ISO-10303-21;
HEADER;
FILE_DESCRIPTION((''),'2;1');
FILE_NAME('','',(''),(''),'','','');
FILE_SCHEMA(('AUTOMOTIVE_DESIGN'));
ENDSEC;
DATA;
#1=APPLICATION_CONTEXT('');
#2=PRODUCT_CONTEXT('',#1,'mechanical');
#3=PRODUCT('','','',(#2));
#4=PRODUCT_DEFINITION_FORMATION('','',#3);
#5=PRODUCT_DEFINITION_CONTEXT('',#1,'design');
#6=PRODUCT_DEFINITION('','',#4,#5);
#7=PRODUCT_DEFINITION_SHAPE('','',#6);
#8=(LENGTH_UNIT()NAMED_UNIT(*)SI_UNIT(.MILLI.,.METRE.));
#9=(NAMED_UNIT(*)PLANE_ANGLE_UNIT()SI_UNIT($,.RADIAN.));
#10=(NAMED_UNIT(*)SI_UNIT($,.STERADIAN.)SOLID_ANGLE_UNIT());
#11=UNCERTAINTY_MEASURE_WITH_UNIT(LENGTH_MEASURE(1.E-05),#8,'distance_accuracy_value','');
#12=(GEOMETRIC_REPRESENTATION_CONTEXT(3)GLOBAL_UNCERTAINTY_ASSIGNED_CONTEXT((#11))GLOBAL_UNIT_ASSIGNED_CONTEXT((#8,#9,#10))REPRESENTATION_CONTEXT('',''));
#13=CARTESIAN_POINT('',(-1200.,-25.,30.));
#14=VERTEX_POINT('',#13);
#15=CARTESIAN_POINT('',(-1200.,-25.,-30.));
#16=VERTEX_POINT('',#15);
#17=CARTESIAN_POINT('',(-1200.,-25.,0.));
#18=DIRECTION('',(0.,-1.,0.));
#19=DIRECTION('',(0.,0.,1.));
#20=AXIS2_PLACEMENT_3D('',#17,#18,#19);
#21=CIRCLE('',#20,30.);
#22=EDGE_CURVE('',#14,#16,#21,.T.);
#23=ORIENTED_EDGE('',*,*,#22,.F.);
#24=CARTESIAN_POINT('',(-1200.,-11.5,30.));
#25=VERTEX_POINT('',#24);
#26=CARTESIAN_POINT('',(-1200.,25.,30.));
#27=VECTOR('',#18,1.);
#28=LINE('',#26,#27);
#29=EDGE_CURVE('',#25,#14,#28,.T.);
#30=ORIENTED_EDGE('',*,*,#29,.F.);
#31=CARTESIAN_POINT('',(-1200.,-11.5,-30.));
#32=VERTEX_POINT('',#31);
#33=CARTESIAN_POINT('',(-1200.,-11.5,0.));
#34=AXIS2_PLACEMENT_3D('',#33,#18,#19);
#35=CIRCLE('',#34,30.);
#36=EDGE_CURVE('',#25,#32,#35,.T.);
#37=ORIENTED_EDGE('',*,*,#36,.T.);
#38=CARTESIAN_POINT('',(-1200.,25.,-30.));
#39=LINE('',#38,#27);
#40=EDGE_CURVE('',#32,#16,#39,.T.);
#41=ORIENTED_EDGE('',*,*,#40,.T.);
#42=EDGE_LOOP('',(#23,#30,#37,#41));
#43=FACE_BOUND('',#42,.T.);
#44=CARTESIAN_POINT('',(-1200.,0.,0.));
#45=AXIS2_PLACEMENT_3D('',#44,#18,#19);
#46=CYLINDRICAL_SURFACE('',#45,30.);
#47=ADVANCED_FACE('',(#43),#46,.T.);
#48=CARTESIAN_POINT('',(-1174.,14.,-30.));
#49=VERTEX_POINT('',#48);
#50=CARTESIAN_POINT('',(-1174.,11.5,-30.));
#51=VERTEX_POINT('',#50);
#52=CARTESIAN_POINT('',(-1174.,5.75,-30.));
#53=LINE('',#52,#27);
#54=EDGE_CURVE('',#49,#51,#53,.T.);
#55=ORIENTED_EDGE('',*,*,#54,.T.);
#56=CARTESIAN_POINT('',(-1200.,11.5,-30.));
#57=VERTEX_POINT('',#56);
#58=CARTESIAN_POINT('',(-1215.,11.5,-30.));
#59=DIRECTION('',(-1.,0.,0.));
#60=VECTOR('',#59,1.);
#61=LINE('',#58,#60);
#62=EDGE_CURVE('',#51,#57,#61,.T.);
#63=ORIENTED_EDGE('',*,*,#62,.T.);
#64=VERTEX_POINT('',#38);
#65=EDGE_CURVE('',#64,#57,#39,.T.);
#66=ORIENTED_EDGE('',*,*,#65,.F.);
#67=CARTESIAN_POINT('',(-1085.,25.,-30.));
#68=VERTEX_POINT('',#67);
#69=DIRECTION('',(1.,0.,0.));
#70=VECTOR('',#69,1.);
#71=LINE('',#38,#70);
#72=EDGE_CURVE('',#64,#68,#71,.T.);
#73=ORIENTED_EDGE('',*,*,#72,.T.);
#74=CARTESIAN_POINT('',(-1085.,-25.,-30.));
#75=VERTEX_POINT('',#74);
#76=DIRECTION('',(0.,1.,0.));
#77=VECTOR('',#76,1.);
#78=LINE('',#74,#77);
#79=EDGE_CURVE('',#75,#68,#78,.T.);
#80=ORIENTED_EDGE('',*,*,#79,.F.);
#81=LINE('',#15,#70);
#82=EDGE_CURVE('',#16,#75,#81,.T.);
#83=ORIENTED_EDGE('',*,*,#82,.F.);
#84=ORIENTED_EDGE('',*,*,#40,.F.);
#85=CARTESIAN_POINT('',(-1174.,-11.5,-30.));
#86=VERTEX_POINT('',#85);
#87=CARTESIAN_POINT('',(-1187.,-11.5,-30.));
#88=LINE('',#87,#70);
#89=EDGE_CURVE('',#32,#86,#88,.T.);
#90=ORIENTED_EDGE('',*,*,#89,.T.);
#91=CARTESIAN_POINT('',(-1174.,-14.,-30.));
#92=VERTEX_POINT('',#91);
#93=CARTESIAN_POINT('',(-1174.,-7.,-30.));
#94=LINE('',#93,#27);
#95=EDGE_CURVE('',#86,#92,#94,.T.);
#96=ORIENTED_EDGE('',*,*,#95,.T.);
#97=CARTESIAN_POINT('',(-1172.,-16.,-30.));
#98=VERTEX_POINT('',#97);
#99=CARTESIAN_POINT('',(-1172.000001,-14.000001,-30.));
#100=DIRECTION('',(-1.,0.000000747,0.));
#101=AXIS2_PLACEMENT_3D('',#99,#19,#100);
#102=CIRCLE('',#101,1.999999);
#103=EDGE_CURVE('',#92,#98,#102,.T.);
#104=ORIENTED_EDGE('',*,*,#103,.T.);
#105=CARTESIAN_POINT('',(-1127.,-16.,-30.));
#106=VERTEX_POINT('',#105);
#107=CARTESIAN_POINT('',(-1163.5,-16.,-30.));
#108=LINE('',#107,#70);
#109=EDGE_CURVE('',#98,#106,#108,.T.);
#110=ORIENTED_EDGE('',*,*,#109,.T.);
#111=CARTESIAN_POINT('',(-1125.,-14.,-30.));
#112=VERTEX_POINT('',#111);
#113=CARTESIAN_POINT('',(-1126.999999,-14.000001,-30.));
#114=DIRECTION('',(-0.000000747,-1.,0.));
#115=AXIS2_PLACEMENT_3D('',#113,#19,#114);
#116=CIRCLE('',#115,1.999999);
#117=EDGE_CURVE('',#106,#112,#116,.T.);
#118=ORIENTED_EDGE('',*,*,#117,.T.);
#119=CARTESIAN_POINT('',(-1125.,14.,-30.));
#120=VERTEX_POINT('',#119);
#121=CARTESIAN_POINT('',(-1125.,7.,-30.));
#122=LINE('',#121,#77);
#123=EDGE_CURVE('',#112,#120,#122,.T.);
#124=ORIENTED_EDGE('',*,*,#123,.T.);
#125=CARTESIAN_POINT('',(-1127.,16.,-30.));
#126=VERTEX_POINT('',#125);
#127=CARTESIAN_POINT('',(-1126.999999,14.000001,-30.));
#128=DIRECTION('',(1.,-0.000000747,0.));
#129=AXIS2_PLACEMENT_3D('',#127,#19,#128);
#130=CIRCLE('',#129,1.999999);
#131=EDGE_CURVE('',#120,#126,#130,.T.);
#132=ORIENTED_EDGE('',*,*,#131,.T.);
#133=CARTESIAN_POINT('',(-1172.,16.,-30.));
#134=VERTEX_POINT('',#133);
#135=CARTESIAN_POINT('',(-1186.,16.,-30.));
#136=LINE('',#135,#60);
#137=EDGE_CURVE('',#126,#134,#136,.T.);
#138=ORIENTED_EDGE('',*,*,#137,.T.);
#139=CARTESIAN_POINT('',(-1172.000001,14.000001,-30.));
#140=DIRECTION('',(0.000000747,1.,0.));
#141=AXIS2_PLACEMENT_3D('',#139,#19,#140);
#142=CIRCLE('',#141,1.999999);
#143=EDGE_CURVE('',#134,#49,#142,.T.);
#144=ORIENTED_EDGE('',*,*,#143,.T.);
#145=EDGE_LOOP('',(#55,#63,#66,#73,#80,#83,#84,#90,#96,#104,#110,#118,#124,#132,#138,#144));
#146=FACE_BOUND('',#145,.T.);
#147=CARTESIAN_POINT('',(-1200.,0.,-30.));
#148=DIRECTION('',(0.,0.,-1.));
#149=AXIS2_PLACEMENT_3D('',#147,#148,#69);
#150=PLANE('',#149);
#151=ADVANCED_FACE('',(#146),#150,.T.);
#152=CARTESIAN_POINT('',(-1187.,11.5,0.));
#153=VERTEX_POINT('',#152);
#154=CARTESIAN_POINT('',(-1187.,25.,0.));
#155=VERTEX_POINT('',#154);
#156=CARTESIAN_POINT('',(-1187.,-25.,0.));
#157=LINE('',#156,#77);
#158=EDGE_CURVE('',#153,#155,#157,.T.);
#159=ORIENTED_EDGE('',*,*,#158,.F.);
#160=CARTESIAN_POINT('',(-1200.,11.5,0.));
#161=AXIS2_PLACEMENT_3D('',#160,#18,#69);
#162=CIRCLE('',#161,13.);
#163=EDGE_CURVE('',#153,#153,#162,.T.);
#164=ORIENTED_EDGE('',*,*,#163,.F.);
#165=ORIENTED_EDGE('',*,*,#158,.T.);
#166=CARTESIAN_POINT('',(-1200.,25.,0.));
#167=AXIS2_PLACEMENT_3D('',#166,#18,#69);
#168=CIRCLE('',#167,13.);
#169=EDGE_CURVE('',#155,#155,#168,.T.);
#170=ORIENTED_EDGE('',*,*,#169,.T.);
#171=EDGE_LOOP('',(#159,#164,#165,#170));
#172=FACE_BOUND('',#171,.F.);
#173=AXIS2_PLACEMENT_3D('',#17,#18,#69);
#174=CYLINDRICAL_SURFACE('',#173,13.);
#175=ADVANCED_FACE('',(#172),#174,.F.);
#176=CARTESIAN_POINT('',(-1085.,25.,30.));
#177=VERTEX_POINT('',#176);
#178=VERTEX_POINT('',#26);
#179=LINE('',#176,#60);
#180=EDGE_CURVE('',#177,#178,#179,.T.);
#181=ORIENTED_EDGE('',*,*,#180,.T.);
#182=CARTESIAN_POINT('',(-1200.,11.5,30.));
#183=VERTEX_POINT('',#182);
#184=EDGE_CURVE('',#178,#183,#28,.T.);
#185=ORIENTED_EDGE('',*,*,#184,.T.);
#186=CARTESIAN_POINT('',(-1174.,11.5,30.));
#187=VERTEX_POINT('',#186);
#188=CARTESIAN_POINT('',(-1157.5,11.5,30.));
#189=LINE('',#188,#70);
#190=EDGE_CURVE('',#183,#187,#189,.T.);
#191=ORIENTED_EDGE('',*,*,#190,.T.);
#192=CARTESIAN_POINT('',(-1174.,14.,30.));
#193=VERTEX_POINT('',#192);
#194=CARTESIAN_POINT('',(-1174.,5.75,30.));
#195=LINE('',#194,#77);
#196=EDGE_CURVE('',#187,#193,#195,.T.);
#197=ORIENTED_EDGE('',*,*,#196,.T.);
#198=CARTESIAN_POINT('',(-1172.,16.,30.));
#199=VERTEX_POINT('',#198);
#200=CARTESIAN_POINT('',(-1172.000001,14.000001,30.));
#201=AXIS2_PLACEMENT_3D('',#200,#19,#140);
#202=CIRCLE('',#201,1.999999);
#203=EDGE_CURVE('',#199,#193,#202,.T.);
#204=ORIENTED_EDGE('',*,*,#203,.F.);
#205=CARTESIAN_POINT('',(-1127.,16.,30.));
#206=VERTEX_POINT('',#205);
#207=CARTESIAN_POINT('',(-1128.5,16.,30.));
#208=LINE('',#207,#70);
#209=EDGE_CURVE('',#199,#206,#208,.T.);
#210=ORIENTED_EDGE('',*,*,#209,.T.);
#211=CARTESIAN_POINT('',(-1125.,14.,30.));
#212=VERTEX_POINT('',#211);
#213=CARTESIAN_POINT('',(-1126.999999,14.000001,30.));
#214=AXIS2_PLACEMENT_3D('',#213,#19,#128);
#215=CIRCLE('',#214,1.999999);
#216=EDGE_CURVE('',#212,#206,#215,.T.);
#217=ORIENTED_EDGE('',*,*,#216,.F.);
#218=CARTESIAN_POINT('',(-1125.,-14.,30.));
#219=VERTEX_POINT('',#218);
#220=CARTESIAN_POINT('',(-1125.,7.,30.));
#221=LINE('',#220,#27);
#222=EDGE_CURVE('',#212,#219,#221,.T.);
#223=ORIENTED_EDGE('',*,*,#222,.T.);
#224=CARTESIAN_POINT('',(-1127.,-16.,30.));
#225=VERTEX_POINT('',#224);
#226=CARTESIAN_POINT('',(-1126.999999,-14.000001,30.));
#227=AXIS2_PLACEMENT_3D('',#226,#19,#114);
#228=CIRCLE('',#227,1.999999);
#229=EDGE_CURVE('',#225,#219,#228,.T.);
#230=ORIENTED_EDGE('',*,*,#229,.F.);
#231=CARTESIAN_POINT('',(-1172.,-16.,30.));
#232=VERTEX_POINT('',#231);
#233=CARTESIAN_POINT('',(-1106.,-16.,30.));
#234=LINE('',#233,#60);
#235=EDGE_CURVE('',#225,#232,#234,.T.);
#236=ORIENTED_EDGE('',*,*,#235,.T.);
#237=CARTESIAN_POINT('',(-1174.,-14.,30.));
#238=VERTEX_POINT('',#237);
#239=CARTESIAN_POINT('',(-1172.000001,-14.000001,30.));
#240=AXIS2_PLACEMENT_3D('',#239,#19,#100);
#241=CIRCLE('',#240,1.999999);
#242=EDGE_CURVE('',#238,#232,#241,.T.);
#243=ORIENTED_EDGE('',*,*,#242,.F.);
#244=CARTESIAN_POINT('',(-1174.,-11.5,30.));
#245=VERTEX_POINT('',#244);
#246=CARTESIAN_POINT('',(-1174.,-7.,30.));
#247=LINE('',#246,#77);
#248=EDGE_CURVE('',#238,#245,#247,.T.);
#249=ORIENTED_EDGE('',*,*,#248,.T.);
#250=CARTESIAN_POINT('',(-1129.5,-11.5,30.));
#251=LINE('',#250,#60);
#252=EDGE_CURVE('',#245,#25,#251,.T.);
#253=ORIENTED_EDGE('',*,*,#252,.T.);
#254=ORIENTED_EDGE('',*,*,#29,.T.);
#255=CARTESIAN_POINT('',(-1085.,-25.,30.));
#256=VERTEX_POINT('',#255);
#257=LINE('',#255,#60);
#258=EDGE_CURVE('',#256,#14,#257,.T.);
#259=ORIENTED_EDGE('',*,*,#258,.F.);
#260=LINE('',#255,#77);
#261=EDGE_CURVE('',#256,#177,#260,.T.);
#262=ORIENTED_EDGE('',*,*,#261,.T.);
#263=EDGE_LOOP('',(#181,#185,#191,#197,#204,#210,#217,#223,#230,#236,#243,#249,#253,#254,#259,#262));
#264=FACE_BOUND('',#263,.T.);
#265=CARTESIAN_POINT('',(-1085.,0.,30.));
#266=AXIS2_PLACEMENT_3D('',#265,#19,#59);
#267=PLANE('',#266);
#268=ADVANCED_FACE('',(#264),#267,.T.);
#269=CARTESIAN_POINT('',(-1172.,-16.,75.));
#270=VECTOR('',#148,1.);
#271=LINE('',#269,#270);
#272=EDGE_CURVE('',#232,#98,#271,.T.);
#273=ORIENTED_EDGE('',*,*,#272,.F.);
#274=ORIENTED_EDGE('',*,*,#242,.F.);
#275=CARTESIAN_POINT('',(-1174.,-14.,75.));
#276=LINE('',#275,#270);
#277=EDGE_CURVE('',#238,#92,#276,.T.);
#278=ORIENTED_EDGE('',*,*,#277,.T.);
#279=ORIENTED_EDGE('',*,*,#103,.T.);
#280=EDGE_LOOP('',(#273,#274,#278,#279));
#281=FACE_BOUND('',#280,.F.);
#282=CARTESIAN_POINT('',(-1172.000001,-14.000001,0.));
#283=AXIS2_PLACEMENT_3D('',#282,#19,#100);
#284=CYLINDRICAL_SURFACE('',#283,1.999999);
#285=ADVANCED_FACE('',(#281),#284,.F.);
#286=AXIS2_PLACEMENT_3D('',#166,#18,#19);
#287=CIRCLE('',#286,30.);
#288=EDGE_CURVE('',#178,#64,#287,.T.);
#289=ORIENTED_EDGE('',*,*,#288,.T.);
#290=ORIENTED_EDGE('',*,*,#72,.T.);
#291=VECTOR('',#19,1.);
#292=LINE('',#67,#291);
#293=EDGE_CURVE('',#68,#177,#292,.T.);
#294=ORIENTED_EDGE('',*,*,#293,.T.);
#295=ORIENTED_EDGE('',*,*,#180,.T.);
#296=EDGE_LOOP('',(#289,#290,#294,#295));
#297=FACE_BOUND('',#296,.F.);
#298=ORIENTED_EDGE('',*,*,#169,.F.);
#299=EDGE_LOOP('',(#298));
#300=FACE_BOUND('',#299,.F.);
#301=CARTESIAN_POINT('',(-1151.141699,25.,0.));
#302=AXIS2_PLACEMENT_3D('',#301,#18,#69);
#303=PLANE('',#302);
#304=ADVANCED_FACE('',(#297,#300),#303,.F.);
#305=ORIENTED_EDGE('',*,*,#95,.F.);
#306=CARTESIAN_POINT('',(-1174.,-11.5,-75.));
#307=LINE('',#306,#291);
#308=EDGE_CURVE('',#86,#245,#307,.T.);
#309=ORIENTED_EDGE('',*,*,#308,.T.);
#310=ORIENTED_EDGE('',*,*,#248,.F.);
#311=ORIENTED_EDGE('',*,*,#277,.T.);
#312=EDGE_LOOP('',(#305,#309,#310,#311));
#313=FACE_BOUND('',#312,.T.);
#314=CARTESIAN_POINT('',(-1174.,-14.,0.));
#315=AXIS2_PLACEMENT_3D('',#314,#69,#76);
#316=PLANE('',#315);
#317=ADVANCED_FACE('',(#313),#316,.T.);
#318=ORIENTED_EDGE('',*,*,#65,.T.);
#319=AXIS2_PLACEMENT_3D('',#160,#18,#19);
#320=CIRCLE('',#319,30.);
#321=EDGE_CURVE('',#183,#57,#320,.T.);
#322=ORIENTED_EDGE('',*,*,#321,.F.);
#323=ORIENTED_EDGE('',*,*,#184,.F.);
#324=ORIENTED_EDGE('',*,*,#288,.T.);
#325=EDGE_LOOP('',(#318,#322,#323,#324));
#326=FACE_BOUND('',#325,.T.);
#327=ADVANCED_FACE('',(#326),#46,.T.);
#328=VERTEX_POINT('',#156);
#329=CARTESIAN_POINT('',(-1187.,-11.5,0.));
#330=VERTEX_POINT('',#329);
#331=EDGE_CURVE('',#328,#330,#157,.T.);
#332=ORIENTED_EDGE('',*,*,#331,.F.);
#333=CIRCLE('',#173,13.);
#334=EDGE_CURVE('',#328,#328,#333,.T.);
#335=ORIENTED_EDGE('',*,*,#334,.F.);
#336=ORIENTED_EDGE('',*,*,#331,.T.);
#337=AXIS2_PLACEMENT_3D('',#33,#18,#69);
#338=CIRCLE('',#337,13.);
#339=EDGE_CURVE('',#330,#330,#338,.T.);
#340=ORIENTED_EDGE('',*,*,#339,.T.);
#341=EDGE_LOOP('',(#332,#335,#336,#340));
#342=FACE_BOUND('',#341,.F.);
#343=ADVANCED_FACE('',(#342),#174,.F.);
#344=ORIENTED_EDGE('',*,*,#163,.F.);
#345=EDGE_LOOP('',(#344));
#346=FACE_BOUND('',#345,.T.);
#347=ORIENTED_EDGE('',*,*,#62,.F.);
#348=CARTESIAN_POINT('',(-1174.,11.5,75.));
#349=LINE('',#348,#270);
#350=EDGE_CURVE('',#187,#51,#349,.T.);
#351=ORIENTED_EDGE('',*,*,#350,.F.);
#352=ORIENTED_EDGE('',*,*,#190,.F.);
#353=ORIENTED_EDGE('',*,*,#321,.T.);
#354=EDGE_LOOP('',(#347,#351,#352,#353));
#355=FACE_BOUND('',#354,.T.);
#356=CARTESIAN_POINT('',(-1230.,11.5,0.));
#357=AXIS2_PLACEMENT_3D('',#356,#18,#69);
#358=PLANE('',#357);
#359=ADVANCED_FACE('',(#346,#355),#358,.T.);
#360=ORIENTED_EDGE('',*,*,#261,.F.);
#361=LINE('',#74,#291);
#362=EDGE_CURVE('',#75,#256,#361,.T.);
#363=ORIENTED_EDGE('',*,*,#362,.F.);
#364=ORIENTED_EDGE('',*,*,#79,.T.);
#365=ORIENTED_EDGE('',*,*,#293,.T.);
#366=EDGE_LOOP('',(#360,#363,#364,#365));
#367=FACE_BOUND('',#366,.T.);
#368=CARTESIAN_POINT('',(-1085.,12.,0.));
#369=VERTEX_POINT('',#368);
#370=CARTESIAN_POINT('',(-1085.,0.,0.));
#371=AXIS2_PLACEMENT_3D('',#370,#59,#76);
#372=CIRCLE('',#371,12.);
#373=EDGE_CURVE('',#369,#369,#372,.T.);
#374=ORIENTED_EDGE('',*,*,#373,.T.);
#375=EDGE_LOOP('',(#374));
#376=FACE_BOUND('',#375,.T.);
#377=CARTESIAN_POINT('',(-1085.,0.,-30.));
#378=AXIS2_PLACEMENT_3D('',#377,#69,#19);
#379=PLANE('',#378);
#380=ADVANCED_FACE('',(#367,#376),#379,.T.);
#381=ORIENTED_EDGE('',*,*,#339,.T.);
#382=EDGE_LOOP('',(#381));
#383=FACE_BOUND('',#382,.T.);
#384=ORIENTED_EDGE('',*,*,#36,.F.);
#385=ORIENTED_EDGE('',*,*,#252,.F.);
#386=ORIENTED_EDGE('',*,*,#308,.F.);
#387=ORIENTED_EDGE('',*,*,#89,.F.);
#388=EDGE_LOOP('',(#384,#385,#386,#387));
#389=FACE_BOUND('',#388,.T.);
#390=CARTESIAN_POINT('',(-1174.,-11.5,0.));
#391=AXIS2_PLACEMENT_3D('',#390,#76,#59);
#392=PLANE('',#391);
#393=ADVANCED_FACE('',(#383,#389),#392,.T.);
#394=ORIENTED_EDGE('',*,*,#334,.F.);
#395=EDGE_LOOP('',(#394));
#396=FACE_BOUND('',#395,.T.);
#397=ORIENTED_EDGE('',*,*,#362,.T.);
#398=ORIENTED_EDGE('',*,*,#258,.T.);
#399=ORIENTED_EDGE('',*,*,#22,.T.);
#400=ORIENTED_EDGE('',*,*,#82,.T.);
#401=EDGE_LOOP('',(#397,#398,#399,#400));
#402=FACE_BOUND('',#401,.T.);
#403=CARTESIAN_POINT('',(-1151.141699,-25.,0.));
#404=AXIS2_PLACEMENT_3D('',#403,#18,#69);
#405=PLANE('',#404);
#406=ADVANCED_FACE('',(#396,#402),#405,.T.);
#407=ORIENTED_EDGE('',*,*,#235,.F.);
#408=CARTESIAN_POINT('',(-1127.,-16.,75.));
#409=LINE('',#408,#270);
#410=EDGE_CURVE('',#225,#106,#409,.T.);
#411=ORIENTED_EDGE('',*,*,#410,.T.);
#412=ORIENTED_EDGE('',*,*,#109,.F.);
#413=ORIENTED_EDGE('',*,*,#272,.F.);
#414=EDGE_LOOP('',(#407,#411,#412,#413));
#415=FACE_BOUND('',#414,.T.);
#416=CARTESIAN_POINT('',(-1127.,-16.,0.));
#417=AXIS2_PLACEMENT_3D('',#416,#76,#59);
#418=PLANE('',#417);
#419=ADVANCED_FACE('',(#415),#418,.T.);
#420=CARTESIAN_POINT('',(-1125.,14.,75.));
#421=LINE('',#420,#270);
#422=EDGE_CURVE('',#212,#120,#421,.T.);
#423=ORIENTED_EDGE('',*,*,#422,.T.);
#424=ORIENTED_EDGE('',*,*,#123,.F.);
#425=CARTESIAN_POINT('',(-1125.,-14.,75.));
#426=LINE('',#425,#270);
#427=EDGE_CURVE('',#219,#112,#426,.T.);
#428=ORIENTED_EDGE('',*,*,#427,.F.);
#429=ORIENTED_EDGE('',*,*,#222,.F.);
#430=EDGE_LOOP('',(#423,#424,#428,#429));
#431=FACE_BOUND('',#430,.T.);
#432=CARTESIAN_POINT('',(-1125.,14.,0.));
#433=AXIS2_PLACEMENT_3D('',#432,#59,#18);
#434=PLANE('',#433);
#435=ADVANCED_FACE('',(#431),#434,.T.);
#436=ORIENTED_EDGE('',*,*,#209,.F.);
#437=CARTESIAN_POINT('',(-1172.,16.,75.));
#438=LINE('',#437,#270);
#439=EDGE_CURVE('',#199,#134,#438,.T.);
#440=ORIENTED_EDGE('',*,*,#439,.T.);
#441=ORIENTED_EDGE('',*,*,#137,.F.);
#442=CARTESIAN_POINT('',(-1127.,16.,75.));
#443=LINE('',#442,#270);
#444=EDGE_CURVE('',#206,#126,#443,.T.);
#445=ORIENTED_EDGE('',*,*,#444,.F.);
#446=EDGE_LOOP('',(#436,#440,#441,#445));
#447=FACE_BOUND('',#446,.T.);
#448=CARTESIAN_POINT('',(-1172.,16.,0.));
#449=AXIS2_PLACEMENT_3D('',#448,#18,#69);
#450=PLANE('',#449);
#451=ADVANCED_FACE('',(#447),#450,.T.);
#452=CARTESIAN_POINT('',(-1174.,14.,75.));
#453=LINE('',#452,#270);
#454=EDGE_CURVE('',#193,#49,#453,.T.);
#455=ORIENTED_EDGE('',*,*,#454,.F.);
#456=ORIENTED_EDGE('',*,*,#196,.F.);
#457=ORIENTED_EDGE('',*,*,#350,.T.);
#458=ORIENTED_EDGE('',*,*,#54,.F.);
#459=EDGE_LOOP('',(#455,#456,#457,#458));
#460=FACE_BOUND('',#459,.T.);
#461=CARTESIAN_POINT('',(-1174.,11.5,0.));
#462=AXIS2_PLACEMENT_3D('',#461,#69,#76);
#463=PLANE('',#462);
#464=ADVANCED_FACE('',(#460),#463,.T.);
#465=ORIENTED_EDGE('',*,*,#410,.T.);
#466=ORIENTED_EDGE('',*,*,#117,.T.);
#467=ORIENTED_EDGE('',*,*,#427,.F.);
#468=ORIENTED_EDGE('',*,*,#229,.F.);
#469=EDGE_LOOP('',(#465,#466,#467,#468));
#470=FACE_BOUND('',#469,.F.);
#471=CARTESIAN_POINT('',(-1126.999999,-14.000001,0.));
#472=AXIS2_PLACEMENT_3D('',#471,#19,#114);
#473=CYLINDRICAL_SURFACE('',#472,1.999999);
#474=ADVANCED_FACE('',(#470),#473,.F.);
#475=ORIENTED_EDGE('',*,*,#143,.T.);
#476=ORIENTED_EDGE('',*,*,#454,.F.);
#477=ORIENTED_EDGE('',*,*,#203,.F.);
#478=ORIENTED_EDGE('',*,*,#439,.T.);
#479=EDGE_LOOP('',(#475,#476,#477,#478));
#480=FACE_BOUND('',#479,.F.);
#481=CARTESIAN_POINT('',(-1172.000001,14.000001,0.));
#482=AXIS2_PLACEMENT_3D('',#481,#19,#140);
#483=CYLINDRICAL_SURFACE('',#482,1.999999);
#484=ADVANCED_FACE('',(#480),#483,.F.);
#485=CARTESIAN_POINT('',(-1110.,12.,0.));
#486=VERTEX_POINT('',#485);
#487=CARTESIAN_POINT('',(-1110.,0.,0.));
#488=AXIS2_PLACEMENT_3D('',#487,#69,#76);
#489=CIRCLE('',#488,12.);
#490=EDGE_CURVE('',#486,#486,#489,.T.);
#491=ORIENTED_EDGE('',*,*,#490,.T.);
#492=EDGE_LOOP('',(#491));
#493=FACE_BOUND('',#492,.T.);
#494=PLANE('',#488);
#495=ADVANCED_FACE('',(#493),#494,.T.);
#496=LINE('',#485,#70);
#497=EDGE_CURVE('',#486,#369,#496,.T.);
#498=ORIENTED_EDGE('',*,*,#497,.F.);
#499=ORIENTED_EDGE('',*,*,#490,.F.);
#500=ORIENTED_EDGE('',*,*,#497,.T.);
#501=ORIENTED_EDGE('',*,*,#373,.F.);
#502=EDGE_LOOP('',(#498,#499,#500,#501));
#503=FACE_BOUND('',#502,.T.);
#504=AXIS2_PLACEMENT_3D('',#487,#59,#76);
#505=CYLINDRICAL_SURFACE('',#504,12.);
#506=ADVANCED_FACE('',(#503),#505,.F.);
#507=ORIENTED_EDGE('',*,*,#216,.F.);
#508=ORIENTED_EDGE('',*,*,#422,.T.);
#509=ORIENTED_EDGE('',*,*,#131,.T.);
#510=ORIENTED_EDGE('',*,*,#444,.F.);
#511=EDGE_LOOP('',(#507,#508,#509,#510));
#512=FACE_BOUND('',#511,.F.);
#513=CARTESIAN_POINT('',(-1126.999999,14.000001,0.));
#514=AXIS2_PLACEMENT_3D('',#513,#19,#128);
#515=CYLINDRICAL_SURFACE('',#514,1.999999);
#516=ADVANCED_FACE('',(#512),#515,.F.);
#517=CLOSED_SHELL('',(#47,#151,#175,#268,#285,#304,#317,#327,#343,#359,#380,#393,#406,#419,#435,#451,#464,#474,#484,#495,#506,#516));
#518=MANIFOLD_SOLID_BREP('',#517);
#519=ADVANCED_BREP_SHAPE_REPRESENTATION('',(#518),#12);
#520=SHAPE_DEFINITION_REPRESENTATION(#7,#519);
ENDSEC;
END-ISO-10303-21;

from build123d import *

# Parameters (mm, degrees)
SKETCH007_R      = 13
EXTRUDE_DEPTH    = 65
SKETCH017_R      = 12
EXTRUDE008_DEPTH = 40
EXTRUDE007_DEPTH = 75
PAD_DEPTH        = 25


with BuildPart() as extrude_body:
    # Sketch007 (on Face6 of Pad) → Extrude (new body)
    with BuildSketch(Plane.XZ.offset(25)):
        Circle(SKETCH007_R)
    extrude(amount=-EXTRUDE_DEPTH)


with BuildPart() as extrude008:
    # Sketch017 → Extrude008 (new body)
    with BuildSketch(Plane.YZ.offset(90)):
        Circle(SKETCH017_R)
    extrude(amount=EXTRUDE008_DEPTH)


with BuildPart() as extrude007:
    # Sketch016 → Extrude007 (new body, symmetric)
    with BuildSketch(Plane.XY):
        with BuildLine():
            Line((-30, 11.5), (26, 11.5))
            Line((26, 11.5), (26, 14))
            ThreePointArc((28, 16), (26.585786, 15.414214), (26, 14))
            Line((28, 16), (73, 16))
            ThreePointArc((75, 14), (74.414214, 15.414214), (73, 16))
            Line((75, 14), (75, -14))
            ThreePointArc((73, -16), (74.414214, -15.414214), (75, -14))
            Line((73, -16), (28, -16))
            ThreePointArc((26, -14), (26.585786, -15.414214), (28, -16))
            Line((26, -14), (26, -11.5))
            Line((26, -11.5), (-30, -11.5))
            Line((-30, -11.5), (-30, 11.5))
        make_face()
    extrude(amount=EXTRUDE007_DEPTH, both=True)


with BuildPart() as forkendl:
    # Sketch → Pad (new body, symmetric)
    with BuildSketch(Plane.XZ):
        with BuildLine():
            Line((115, 30), (0, 30))
            ThreePointArc((0, 30), (-30, 0), (0, -30))
            Line((0, -30), (115, -30))
            Line((115, -30), (115, 30))
        make_face()
    extrude(amount=PAD_DEPTH, both=True)

    # Cut: cut Extrude007
    add(extrude007.part, mode=Mode.SUBTRACT)

    # Cut007: cut Extrude008
    add(extrude008.part, mode=Mode.SUBTRACT)

    # Cut008: cut Extrude body
    add(extrude_body.part, mode=Mode.SUBTRACT)


with BuildPart() as forkendl_1:
    # Cut008 placement: moved
    add(forkendl.part.moved(Location((-1200, 0, 0))))


solid = forkendl_1.part
